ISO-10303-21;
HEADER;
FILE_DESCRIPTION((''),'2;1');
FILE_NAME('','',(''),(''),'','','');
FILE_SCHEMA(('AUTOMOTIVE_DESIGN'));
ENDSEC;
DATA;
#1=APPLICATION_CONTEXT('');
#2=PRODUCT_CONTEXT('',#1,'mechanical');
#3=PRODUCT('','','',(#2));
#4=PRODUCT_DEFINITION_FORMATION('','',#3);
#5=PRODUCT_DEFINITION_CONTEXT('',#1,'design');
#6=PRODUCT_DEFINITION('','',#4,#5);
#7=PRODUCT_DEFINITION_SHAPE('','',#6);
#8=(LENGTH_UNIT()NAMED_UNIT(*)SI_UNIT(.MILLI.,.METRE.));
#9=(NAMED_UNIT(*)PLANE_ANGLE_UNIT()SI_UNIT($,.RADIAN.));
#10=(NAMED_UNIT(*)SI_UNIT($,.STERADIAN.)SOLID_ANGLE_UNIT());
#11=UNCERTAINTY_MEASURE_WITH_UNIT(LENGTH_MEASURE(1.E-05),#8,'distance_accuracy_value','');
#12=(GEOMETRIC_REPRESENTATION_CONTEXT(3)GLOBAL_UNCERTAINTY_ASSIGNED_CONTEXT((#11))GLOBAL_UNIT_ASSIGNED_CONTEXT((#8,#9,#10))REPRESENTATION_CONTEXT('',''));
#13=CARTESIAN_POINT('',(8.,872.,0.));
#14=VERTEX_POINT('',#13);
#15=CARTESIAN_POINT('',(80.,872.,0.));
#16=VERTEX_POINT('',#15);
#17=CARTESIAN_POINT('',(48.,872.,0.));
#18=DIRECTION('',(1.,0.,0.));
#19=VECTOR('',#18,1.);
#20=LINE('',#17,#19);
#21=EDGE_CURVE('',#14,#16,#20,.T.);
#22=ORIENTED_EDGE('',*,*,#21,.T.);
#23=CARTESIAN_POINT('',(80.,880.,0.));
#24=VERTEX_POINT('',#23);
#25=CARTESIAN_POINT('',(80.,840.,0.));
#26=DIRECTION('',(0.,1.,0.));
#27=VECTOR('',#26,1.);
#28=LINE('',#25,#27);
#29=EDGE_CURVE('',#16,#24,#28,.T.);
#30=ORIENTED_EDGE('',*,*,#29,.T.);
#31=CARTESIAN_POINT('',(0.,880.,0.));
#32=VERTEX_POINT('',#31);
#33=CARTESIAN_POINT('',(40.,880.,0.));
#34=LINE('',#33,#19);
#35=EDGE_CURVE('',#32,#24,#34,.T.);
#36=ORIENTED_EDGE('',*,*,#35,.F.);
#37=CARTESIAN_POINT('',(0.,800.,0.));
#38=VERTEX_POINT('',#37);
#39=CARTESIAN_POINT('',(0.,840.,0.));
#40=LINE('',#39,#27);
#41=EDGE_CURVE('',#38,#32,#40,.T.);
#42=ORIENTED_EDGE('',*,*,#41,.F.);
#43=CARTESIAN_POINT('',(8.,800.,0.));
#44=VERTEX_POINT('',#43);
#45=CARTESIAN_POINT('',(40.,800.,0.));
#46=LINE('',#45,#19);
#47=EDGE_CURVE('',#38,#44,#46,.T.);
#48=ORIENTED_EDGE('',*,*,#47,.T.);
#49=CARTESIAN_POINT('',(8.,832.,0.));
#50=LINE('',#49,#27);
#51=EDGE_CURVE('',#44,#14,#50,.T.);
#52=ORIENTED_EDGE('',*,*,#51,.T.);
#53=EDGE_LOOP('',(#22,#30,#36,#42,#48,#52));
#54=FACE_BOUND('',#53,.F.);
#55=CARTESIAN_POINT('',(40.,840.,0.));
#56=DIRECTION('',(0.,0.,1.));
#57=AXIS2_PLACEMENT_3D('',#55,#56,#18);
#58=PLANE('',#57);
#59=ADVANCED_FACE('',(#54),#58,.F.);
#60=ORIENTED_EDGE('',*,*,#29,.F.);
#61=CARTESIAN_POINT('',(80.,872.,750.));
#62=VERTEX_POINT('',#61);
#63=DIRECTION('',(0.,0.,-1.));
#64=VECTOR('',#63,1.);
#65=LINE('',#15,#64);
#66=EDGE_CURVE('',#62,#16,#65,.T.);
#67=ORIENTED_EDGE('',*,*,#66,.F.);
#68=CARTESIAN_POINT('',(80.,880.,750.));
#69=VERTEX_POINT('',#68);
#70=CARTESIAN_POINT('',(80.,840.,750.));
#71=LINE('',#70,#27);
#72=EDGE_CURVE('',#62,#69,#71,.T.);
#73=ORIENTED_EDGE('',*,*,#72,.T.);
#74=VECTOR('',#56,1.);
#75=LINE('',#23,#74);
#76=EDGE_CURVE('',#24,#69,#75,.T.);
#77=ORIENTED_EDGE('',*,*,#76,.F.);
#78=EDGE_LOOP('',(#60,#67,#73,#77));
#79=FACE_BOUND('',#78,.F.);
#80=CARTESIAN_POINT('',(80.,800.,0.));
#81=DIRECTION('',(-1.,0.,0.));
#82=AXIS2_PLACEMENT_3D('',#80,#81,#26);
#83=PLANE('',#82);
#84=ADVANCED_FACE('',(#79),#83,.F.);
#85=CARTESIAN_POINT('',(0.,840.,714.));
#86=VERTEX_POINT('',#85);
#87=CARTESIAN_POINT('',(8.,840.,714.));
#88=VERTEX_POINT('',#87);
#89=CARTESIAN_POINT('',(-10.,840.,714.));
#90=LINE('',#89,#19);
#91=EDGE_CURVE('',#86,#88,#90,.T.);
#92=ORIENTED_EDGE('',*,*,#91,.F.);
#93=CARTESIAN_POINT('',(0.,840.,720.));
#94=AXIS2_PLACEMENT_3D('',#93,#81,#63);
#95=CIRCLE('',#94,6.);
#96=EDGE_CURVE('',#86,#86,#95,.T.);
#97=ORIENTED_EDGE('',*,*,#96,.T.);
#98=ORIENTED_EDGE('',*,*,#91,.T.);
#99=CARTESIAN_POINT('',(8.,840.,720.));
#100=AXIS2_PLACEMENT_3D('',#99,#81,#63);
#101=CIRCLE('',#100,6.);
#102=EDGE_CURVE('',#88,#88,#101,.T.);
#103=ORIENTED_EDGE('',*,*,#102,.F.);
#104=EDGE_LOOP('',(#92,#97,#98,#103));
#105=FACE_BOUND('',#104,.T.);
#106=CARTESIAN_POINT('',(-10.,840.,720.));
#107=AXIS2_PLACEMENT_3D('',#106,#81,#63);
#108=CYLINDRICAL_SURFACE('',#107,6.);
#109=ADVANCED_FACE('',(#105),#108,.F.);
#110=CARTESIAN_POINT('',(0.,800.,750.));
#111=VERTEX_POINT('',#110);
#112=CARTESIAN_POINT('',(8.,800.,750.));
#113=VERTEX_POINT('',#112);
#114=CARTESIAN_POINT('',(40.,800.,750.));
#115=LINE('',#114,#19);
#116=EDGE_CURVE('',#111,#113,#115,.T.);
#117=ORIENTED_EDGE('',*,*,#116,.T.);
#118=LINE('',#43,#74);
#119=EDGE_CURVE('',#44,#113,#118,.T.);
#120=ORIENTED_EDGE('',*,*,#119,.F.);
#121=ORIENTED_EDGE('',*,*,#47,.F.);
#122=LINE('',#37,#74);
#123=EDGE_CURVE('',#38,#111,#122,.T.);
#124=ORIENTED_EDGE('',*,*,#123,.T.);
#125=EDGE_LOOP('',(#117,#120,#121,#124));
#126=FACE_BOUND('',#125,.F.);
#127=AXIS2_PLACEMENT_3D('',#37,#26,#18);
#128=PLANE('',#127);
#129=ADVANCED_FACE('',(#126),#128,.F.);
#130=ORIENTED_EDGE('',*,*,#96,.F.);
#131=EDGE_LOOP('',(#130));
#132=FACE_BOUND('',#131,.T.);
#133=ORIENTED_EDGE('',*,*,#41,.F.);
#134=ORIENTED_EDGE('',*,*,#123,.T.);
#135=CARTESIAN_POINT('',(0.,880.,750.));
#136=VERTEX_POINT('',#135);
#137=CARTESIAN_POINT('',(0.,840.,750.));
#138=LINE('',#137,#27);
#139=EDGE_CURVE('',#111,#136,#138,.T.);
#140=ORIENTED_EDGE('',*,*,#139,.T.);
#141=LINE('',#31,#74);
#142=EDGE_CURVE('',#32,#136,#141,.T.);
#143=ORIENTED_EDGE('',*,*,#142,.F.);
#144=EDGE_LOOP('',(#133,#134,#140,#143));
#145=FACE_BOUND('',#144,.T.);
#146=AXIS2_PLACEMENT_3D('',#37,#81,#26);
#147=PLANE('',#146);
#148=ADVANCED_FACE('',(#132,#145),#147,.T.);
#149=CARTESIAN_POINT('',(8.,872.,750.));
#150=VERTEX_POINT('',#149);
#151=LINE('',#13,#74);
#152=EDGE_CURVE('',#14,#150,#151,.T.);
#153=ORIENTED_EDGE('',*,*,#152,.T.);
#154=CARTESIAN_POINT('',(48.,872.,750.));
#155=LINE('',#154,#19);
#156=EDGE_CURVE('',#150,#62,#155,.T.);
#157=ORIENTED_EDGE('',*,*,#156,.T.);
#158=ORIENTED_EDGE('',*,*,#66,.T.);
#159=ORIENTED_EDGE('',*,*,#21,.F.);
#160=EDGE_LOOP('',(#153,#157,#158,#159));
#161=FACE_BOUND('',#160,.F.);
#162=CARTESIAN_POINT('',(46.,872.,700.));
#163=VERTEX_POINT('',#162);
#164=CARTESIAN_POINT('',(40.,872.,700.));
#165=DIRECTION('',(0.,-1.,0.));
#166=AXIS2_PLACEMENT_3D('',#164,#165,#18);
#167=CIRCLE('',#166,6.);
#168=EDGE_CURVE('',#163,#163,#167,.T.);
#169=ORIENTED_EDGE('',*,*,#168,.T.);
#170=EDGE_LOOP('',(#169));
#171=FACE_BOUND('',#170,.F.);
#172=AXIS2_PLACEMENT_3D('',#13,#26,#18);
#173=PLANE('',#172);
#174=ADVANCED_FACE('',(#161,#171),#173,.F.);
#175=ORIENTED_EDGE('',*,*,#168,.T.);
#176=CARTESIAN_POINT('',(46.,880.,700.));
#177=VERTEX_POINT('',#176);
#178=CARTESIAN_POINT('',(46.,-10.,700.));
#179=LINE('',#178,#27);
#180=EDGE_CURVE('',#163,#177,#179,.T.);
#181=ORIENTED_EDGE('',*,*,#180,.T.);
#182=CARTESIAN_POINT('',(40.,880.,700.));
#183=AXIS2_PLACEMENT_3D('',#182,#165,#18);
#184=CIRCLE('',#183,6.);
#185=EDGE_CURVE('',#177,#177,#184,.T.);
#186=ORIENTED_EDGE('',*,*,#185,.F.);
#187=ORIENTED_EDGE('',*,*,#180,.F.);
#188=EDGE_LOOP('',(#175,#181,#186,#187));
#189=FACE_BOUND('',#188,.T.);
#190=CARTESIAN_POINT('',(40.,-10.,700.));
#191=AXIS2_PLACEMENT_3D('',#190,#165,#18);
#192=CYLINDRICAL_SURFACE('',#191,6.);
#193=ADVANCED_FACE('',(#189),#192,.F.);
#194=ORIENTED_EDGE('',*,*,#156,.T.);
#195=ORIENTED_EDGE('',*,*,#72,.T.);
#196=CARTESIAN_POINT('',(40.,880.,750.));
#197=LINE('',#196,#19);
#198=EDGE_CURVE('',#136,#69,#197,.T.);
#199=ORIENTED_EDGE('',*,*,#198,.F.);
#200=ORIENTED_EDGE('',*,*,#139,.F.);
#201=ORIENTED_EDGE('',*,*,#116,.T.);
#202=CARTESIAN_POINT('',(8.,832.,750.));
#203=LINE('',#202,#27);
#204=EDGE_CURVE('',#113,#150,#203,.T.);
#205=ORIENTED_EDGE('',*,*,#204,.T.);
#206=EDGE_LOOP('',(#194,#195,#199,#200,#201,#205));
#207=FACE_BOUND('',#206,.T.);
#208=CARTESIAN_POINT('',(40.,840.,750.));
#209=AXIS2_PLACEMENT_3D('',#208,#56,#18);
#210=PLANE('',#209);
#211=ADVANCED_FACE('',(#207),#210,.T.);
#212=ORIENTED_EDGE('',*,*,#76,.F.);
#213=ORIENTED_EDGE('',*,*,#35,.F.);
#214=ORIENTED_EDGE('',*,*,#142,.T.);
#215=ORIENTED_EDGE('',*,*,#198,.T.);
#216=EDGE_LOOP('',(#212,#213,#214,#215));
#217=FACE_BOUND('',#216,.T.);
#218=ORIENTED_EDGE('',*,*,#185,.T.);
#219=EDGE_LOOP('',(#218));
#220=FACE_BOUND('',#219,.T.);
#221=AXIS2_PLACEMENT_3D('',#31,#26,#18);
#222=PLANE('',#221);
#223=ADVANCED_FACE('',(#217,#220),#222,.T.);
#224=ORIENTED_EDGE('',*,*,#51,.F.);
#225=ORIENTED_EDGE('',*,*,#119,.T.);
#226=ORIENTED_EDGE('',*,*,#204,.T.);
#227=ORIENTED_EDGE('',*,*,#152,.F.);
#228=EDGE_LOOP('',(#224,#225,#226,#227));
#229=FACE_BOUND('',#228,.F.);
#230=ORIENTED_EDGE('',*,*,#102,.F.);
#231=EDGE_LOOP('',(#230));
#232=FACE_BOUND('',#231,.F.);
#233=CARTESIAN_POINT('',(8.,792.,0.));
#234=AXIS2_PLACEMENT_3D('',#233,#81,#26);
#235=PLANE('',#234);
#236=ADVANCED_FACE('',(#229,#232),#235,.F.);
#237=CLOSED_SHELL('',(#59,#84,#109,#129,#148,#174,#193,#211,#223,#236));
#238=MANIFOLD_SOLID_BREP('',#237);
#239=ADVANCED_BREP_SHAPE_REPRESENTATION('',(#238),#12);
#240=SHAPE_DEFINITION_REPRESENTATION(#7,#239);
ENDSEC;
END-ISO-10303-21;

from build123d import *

# Parameters (mm, degrees)
CYLINDER001_R     = 6
CYLINDER001_DEPTH = 1300
CYLINDER002_R     = 6
CYLINDER002_DEPTH = 900
BOX003_W          = 80
BOX003_H          = 80
BOX003_DEPTH      = 750
BOX002_W          = 80
BOX002_H          = 80
BOX002_DEPTH      = 750


with BuildPart() as cylinder001:
    # Cylinder001 → Cylinder001 (new body)
    with BuildSketch(Plane(origin=(-10, 840, 720), x_dir=(0, 0, -1), z_dir=(1, 0, 0))):
        Circle(CYLINDER001_R)
    extrude(amount=CYLINDER001_DEPTH)


with BuildPart() as cylinder002:
    # Cylinder002 → Cylinder002 (new body)
    with BuildSketch(Plane(origin=(40, -10, 700), x_dir=(1, 0, 0), z_dir=(0, 1, 0))):
        Circle(CYLINDER002_R)
    extrude(amount=CYLINDER002_DEPTH)


with BuildPart() as cube003:
    # Box003 → Box003 (new body)
    with BuildSketch(Plane(origin=(8, 792, 0), x_dir=(1, 0, 0), z_dir=(0, 0, 1))):
        with Locations((40, 40)):
            Rectangle(BOX003_W, BOX003_H)
    extrude(amount=BOX003_DEPTH)


with BuildPart() as cut008:
    # Box002 → Box002 (new body)
    with BuildSketch(Plane(origin=(0, 800, 0), x_dir=(1, 0, 0), z_dir=(0, 0, 1))):
        with Locations((40, 40)):
            Rectangle(BOX002_W, BOX002_H)
    extrude(amount=BOX002_DEPTH)

    # Cut001: cut Cube003
    add(cube003.part, mode=Mode.SUBTRACT)

    # Cut007: cut Cylinder002
    add(cylinder002.part, mode=Mode.SUBTRACT)

    # Cut008: cut Cylinder001
    add(cylinder001.part, mode=Mode.SUBTRACT)


solid = cut008.part
